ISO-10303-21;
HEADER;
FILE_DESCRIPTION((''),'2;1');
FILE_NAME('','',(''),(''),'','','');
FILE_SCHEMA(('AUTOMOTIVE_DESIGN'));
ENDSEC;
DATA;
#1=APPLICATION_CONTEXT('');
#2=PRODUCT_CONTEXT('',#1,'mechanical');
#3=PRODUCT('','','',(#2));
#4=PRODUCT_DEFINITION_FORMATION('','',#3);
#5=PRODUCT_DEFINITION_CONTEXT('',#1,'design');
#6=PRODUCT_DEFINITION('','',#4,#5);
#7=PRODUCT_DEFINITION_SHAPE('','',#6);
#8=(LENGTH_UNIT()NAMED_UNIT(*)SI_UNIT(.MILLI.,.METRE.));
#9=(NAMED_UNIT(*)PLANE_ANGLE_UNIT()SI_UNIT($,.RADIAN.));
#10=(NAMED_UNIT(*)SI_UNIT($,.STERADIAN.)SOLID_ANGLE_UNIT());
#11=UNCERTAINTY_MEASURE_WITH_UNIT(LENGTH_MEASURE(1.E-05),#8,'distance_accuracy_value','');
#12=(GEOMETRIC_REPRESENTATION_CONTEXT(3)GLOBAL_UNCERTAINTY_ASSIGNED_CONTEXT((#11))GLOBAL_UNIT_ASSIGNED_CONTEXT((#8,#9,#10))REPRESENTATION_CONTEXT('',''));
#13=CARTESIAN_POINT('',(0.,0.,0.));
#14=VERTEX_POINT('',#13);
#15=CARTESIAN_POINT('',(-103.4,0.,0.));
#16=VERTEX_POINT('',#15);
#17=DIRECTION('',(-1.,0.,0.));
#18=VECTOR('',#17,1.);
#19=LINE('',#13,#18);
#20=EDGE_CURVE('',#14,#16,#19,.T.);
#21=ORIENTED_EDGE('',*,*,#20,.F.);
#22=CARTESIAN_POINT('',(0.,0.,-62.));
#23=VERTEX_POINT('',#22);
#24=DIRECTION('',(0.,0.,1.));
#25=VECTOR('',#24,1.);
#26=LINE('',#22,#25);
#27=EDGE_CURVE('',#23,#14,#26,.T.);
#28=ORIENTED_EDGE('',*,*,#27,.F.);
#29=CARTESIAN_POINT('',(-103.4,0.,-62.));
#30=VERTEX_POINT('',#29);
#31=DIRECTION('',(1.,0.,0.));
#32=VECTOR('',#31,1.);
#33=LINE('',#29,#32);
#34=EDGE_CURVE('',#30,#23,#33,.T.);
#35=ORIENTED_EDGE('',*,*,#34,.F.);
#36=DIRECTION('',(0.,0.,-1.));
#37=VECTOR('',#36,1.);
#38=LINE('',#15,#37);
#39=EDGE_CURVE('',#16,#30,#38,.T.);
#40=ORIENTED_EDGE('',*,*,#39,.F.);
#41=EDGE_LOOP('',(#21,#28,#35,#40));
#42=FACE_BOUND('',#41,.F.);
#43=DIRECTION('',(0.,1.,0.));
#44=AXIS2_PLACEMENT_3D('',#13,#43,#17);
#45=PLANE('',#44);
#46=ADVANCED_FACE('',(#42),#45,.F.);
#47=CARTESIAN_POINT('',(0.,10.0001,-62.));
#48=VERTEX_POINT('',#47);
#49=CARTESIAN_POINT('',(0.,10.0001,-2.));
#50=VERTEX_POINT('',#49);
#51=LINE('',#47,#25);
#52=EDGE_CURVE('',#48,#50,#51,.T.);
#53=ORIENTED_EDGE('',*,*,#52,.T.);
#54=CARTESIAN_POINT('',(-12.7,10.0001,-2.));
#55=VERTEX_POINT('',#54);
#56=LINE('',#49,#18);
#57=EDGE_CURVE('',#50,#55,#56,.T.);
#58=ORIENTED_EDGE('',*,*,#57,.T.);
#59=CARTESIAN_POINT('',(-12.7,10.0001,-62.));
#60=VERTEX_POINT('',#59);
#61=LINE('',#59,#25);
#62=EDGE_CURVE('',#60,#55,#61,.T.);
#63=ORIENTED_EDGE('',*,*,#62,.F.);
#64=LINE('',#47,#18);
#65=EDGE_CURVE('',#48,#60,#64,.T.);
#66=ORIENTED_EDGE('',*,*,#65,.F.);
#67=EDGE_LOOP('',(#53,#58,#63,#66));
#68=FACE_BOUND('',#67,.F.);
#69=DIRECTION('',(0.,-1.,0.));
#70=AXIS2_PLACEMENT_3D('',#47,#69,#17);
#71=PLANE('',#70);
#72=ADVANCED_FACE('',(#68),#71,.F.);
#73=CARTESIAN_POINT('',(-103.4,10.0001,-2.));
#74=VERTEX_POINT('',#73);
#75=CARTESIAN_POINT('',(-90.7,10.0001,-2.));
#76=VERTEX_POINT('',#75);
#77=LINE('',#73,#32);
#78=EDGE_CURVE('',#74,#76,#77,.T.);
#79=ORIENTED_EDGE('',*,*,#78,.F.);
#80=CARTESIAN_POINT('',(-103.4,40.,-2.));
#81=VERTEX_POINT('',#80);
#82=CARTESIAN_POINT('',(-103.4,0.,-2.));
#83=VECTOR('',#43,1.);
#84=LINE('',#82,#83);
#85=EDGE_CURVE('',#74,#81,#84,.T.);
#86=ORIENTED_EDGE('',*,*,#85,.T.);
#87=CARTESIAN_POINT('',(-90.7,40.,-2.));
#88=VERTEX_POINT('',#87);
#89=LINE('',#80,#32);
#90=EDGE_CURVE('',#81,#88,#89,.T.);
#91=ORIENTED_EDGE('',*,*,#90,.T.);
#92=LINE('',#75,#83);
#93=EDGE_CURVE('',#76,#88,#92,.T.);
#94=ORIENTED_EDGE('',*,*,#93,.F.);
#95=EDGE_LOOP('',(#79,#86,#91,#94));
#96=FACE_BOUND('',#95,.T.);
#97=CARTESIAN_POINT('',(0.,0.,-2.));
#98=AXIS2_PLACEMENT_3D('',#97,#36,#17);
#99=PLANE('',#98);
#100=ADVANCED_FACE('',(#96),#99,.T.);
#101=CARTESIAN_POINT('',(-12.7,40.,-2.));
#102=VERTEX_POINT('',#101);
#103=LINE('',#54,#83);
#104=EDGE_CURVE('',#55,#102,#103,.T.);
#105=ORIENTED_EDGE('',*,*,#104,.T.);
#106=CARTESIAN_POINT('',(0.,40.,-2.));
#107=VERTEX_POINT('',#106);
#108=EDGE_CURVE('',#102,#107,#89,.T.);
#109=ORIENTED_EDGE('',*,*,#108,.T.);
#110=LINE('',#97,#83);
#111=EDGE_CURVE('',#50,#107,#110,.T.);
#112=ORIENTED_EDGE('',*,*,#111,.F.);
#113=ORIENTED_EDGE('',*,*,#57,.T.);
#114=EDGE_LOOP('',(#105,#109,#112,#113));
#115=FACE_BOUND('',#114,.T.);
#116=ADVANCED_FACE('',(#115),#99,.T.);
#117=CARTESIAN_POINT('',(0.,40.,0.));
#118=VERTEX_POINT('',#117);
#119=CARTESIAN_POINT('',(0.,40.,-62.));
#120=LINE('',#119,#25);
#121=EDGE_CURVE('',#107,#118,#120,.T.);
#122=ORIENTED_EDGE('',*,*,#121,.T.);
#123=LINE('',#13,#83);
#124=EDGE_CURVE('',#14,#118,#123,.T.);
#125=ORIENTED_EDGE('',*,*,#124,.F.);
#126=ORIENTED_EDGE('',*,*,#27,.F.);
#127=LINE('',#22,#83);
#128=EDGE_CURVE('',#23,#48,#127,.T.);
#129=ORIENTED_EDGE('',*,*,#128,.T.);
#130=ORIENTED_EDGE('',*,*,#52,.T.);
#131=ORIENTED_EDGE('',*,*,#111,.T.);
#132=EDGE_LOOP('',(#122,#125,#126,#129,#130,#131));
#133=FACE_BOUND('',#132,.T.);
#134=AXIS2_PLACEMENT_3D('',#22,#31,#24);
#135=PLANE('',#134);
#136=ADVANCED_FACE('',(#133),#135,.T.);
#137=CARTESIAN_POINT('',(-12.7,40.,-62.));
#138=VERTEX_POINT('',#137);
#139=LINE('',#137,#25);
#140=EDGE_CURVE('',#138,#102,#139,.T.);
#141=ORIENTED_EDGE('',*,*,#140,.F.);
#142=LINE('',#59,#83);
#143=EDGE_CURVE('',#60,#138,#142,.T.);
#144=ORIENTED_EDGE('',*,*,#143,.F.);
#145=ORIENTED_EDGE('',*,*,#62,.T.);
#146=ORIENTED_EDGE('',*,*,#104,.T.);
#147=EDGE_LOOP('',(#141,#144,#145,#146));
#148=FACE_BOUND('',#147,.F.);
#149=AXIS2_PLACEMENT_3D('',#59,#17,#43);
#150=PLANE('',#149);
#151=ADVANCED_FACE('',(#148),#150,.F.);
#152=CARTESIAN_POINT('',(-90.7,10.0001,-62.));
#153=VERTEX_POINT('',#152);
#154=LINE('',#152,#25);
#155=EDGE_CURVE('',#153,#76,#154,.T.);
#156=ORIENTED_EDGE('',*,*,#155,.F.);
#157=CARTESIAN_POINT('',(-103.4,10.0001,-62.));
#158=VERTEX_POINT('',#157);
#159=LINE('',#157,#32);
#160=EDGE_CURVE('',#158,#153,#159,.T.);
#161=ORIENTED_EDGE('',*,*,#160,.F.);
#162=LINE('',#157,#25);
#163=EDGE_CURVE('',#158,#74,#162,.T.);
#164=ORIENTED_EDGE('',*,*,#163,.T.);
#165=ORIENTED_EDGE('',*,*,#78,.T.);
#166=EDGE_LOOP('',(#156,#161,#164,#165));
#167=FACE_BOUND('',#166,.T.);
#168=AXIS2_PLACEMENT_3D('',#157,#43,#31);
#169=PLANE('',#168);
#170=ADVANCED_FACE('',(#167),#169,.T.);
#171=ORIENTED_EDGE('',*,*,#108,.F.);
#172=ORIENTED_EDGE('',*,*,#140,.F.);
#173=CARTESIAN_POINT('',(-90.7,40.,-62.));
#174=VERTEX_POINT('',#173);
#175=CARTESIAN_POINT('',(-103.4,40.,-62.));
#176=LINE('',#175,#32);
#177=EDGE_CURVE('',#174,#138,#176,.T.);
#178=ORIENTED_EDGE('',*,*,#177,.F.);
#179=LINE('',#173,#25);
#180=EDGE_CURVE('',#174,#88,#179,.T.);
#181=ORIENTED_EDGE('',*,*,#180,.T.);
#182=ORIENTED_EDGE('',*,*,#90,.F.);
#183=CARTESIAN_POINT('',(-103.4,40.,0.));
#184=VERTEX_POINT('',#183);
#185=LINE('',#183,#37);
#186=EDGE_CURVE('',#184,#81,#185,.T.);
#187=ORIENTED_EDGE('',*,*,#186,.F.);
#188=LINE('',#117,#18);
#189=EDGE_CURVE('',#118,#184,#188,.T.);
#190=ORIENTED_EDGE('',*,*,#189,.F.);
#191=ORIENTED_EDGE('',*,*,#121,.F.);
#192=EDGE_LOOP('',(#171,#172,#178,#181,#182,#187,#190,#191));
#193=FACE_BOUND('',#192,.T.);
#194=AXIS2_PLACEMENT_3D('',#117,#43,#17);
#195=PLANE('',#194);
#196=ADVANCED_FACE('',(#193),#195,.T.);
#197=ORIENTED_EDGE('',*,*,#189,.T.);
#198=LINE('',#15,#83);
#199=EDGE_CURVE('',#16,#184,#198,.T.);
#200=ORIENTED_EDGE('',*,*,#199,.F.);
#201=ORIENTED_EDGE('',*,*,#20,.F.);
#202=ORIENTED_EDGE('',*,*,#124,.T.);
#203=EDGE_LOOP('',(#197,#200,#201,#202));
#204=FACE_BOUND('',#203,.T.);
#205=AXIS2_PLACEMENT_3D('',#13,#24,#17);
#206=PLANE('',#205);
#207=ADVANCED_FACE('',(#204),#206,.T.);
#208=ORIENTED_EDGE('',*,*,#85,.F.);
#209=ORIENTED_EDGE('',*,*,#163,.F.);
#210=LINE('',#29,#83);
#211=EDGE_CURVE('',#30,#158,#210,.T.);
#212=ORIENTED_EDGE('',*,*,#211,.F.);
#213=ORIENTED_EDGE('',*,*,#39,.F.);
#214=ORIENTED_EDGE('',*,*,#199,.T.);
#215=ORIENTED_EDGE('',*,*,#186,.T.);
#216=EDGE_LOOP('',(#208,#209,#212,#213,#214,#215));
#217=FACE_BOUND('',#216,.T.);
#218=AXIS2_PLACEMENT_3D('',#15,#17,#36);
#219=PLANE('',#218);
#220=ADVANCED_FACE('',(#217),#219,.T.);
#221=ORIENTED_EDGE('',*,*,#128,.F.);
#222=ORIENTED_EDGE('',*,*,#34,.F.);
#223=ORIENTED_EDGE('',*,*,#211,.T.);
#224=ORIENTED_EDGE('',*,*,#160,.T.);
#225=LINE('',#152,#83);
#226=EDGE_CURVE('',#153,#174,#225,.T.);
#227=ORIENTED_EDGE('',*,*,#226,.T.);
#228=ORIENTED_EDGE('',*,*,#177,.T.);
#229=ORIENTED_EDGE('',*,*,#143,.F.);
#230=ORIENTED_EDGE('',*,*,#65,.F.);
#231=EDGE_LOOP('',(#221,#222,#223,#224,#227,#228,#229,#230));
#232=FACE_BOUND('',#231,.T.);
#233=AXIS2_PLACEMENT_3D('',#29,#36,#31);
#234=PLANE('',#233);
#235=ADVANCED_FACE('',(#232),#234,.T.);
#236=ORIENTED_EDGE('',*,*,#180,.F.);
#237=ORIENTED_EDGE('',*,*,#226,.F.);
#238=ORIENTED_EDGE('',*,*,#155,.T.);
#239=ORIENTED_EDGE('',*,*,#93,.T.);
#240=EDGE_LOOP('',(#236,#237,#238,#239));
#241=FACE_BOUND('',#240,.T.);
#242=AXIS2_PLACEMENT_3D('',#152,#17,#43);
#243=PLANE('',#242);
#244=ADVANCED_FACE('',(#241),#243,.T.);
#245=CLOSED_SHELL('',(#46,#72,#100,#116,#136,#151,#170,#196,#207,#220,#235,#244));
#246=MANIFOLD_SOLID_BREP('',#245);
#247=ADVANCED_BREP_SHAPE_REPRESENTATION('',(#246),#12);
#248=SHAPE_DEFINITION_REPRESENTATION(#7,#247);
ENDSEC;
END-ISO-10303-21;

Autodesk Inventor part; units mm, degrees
ref_plane "YZ Plane" through (0, 0, 0) normal (1, 0, 0) x (0, 1, 0)
ref_plane "XZ Plane" through (0, 0, 0) normal (0, 1, 0) x (-1, 0, 0)
ref_plane "XY Plane" through (0, 0, 0) normal (0, 0, 1) x (1, 0, 0)
sketch "Sketch1" plane through (0, 0, 0) normal (0, 1, 0) x (-1, 0, 0)
  line L0 (0, 0) -> (103.4, 0)
  line L1 (103.4, 0) -> (103.4, -62)
  line L2 (103.4, -62) -> (0, -62)
  line L3 (0, -62) -> (0, 0)
  dimension "d0" = 103.4
  dimension "d1" = 62
extrude "Extrusion1" add sketch "Sketch1" along normal blind 40
sketch "Sketch2" plane through (0, 0, -62) normal (0, 0, -1) x (-1, 0, 0)
  line L0 (103.4, 40) -> (0, 40) projected
  line L1 (51.7, 40) -> (90.7, 40)
  line L2 (103.4, 0) -> (103.4, 40) projected
  line L3 (90.7, 40) -> (103.4, 40)
  line L4 (103.4, 40) -> (103.4, 10.0001)
  line L5 (103.4, 10.0001) -> (90.7, 10.0001)
  line L6 (90.7, 10.0001) -> (90.7, 40)
  line L7 (51.7, 40) -> (51.7, 19.0962)
  line L8 (0, 10.0001) -> (12.7, 10.0001)
  line L9 (12.7, 10.0001) -> (12.7, 40)
  line L10 (0, 40) -> (103.4, 40)
  line L11 (0, 0) -> (0, 40)
  dimension "d4" = 39
extrude "Extrusion2" cut sketch "Sketch2" against normal blind 60
properties part number "POWER SUPPLY"
